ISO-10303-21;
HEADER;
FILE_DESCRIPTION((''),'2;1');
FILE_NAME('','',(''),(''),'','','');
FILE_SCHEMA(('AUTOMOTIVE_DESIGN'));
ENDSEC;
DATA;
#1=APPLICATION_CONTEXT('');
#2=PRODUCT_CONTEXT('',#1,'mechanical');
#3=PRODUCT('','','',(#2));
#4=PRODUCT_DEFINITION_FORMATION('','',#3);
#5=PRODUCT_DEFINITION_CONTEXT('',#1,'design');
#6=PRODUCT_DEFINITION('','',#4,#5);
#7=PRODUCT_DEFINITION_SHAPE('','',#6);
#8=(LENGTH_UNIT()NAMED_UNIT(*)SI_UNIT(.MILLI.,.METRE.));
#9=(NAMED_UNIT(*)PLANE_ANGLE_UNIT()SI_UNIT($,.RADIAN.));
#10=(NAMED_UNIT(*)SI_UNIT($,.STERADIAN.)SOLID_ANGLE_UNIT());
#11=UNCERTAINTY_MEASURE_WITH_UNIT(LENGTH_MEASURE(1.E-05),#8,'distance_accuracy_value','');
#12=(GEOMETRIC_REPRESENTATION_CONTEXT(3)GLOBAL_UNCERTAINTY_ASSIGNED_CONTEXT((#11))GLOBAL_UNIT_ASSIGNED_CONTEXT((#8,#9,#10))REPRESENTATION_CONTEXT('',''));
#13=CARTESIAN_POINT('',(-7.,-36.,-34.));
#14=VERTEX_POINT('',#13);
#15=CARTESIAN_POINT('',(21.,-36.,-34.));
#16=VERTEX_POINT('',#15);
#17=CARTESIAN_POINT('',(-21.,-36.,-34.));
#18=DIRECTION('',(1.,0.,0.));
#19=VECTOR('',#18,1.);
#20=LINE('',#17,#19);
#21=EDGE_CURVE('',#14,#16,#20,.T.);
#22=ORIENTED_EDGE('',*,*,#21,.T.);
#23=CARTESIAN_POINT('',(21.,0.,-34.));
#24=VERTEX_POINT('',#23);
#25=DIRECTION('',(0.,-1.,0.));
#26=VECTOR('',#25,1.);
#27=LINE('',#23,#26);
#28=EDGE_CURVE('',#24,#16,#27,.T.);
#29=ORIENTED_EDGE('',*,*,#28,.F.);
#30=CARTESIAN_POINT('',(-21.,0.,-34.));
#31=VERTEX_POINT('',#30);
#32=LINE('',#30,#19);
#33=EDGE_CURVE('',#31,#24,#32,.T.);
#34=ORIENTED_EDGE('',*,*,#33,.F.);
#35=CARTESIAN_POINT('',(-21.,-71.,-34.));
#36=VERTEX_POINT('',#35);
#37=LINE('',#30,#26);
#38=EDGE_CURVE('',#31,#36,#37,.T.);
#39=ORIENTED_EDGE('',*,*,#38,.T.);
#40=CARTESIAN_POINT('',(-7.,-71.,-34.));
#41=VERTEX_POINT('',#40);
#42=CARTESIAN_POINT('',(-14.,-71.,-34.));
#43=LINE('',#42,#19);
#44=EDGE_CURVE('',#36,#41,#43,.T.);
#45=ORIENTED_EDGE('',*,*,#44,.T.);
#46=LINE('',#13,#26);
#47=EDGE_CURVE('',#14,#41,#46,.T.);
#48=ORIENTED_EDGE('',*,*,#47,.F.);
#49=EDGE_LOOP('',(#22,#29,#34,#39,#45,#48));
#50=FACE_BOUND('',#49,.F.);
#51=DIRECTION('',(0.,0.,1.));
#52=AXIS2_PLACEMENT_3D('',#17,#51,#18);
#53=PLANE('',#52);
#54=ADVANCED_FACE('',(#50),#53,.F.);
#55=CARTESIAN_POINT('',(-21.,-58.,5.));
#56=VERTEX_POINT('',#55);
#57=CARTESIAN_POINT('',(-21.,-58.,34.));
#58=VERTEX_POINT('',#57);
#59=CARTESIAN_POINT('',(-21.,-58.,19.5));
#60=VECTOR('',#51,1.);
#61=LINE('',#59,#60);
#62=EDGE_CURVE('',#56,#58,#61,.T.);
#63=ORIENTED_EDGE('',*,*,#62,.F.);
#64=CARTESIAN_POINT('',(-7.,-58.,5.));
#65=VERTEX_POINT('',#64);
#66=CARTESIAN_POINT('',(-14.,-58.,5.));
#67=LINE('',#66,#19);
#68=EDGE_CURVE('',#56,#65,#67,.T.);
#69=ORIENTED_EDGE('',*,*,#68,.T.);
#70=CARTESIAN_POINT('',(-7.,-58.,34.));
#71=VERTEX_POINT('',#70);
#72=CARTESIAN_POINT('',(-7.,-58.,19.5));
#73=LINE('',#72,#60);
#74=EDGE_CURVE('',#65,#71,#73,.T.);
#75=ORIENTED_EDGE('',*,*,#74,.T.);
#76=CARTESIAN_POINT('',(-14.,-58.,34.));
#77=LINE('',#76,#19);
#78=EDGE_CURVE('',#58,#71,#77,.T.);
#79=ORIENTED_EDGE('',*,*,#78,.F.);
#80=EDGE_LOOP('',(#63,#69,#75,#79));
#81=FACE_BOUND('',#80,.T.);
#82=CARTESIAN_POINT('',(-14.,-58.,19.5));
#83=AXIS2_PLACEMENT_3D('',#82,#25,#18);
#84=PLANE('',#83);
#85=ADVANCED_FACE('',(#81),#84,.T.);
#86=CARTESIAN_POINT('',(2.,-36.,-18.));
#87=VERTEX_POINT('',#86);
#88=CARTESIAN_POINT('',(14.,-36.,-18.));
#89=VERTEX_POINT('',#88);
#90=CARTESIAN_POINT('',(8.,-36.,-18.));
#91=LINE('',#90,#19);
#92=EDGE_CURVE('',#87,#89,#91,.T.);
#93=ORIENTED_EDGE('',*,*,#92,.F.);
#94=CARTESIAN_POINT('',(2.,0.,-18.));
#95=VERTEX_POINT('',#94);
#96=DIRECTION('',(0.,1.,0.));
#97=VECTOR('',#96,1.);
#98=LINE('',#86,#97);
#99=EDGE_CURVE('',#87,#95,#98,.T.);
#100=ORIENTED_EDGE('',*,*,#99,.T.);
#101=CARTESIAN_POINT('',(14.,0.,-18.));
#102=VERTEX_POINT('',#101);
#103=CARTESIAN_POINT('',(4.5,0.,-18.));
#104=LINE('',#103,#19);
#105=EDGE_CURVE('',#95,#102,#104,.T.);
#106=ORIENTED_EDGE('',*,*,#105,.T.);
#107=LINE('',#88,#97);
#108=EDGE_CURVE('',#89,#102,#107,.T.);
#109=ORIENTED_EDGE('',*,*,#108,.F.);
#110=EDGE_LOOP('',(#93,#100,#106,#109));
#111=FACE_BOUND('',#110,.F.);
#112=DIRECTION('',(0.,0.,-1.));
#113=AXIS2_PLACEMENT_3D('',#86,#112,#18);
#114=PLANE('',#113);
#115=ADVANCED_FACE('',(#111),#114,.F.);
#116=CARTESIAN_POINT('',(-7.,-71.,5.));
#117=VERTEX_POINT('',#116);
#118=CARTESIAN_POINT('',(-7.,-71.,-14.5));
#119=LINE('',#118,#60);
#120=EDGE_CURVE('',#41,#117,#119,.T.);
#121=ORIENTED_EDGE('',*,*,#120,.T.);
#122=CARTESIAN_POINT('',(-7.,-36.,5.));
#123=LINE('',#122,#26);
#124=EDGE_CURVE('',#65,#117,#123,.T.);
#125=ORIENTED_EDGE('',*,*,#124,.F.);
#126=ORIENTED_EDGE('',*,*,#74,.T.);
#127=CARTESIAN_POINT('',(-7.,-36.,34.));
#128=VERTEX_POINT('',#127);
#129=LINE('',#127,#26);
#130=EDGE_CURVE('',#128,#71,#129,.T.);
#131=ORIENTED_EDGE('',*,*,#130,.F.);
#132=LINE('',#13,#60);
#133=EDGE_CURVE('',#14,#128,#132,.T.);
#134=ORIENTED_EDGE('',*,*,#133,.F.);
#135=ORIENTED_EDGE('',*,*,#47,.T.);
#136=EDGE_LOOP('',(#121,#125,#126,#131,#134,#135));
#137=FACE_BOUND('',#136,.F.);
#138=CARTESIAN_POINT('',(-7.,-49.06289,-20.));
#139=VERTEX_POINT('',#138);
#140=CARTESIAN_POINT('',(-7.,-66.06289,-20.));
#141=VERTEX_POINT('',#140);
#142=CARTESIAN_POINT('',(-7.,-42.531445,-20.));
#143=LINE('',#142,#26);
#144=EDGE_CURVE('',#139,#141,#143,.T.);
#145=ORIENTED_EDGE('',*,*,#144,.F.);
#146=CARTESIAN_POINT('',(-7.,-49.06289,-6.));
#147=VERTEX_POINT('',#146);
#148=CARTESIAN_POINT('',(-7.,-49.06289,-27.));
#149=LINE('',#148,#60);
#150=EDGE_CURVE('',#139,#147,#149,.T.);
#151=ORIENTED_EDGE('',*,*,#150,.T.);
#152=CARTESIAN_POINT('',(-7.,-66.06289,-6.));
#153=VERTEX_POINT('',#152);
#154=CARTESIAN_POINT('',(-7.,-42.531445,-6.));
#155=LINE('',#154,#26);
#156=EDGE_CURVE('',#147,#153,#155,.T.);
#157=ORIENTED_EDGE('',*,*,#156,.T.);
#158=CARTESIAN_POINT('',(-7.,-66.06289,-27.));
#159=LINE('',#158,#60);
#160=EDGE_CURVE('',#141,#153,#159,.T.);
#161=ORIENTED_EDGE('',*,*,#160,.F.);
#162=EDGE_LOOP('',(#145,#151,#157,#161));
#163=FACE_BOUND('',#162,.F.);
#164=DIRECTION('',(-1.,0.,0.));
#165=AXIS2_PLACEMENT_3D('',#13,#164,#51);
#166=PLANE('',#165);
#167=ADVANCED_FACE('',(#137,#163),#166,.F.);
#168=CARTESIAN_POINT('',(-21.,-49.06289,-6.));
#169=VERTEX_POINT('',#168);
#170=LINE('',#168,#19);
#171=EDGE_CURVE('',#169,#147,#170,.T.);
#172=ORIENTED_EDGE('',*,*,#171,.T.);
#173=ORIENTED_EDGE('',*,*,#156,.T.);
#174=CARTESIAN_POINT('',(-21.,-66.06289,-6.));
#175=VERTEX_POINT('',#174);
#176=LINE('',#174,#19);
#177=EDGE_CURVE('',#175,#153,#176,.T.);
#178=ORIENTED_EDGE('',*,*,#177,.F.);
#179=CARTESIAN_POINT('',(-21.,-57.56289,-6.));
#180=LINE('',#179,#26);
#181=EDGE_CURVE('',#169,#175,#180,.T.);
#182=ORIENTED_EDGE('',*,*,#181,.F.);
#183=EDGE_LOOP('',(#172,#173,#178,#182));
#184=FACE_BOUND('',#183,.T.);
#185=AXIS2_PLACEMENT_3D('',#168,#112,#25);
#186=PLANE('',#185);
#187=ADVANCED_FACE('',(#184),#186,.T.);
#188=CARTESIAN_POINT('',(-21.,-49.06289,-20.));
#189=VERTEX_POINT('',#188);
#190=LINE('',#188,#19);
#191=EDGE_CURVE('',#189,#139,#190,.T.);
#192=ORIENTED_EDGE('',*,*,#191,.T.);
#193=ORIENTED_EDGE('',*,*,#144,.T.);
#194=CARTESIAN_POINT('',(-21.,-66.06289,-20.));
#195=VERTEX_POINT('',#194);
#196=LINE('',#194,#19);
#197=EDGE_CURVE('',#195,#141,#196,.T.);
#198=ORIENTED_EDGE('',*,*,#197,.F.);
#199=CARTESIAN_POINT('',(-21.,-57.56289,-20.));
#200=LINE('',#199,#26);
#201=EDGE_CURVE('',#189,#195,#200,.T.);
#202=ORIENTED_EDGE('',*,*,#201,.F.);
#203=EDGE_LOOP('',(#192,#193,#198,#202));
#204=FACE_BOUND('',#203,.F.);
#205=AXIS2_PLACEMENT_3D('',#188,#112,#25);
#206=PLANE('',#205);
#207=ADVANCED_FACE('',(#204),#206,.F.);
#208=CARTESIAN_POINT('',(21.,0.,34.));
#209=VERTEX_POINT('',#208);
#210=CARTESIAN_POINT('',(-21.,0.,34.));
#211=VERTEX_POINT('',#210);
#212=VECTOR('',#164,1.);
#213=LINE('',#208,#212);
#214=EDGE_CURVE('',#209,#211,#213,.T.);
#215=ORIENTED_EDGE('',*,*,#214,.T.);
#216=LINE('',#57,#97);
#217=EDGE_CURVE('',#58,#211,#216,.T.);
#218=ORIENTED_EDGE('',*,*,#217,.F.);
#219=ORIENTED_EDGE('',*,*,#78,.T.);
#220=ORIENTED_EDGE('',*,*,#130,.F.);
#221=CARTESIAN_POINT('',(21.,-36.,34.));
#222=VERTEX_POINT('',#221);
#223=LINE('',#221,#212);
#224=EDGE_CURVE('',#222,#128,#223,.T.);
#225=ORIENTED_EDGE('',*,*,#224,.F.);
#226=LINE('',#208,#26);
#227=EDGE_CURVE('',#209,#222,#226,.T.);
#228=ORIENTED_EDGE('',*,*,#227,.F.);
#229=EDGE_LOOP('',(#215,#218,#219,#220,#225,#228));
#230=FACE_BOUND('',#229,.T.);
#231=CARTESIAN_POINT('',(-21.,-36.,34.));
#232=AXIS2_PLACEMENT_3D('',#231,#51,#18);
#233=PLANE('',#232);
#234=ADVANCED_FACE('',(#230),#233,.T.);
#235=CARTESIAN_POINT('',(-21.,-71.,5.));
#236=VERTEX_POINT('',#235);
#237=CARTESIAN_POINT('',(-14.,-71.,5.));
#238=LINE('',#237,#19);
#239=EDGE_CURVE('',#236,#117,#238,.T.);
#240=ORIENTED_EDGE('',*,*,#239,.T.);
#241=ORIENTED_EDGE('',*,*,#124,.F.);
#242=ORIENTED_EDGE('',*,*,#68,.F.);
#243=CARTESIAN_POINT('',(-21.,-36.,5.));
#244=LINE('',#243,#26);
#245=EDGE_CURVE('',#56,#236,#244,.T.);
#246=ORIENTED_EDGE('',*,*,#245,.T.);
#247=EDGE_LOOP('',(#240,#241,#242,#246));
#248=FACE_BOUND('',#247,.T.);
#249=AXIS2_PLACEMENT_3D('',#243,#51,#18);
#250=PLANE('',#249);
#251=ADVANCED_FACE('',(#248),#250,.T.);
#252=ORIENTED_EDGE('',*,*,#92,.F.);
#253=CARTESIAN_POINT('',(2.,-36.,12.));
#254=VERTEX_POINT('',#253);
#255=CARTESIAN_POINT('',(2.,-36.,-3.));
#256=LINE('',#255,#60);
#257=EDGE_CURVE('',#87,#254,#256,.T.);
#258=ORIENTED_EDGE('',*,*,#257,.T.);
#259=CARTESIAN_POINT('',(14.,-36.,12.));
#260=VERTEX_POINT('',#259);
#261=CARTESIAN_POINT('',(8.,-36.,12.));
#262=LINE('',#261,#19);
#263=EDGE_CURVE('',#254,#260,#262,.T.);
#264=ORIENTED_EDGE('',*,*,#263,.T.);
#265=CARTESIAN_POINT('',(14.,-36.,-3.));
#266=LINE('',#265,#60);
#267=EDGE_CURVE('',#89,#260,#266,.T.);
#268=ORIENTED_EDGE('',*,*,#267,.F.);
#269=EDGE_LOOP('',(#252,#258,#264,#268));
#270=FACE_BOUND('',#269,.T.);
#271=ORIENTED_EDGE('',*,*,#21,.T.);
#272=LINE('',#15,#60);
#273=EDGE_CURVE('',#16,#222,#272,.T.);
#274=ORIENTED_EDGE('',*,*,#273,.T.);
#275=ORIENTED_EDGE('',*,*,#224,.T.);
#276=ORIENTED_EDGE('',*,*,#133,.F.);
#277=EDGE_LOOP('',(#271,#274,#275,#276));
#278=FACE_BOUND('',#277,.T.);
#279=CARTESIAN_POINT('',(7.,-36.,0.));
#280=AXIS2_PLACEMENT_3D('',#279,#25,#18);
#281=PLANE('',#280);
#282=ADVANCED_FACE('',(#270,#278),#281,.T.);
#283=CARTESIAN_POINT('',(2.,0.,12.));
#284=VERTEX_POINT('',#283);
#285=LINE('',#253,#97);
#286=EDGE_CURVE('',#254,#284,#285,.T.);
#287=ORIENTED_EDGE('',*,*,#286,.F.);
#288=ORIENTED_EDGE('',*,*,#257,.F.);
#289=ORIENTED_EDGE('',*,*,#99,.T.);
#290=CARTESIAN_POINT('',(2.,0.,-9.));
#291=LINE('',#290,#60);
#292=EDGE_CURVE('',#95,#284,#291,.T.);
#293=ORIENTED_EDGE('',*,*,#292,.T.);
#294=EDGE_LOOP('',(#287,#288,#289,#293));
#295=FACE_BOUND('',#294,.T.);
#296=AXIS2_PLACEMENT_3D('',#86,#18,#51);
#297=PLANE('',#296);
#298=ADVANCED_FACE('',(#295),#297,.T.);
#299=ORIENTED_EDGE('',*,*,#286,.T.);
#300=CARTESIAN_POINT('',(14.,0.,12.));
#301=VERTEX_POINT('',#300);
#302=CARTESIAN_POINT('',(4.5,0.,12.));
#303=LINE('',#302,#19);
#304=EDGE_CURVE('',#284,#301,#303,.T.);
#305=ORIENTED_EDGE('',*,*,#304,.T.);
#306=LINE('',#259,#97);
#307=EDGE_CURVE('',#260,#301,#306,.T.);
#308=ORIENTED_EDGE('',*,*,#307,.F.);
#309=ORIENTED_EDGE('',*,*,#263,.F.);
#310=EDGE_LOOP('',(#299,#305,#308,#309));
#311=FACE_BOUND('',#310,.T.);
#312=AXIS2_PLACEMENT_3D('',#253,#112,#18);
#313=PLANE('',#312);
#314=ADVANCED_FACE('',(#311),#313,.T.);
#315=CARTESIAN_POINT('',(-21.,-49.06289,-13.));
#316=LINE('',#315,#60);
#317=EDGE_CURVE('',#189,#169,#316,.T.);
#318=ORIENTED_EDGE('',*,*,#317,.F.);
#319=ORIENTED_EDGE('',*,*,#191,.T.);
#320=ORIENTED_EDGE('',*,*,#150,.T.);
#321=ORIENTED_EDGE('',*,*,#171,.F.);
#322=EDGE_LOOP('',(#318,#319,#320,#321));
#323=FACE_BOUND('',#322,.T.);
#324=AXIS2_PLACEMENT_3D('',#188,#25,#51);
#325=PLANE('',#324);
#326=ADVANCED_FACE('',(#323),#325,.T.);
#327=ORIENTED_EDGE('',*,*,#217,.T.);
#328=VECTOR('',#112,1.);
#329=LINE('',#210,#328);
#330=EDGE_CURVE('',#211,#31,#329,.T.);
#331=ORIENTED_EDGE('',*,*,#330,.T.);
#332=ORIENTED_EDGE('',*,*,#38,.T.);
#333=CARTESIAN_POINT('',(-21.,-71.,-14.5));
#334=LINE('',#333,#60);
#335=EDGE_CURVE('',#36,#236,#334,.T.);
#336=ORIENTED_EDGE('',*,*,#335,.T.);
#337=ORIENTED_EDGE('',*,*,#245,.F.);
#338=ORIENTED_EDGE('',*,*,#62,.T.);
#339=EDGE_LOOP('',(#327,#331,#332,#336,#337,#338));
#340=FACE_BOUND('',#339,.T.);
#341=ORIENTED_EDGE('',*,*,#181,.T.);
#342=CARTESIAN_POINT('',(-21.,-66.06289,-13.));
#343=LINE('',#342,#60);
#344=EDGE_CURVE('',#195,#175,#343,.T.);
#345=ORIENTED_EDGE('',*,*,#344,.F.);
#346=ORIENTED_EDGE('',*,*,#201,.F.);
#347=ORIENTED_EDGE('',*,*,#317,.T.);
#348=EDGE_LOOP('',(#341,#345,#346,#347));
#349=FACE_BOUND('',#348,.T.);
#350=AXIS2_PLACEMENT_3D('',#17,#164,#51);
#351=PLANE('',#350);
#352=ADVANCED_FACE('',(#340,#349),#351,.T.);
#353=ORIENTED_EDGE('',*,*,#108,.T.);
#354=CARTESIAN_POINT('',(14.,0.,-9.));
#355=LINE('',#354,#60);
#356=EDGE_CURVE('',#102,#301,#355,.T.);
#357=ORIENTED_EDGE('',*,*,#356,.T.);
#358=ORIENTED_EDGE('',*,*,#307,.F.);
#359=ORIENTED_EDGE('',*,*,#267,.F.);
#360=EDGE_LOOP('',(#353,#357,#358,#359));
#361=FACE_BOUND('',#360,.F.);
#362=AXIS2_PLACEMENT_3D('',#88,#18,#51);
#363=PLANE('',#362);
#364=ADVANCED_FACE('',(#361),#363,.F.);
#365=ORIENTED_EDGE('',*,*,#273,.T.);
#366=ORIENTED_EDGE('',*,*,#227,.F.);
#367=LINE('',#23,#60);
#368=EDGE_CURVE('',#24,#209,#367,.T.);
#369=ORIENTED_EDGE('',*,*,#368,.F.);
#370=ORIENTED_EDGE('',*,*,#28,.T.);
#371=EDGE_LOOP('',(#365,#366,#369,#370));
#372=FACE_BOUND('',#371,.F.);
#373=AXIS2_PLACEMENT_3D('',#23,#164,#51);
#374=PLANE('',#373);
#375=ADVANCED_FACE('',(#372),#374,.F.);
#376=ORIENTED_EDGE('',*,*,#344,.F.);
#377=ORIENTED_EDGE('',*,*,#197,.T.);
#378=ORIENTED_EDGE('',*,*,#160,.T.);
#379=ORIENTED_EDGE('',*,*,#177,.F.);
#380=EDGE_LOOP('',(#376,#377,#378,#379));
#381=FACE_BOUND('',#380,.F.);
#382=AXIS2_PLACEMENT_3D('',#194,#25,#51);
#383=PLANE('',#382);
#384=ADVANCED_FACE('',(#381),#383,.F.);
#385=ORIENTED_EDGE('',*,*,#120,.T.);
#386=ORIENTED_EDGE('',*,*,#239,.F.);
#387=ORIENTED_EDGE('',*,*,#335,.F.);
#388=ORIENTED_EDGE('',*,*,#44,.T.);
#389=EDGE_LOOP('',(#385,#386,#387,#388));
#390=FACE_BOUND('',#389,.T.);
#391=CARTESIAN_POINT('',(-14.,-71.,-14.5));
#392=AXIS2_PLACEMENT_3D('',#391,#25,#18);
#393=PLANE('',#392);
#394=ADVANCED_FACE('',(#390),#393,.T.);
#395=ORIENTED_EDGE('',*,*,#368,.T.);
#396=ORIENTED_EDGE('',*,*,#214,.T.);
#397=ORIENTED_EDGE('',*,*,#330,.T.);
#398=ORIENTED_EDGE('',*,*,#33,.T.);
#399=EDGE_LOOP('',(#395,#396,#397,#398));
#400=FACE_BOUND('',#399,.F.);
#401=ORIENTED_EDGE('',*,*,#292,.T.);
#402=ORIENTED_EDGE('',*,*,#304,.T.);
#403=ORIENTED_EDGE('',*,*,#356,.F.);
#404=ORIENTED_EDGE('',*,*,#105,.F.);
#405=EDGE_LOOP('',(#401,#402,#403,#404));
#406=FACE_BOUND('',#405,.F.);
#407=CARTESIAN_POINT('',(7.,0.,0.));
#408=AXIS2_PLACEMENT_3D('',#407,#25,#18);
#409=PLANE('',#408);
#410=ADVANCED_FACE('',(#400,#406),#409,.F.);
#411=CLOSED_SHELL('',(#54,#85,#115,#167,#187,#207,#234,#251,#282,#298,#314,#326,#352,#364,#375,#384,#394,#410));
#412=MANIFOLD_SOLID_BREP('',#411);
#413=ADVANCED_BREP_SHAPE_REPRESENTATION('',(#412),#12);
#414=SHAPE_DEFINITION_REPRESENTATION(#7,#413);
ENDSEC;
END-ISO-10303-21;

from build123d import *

# Parameters (mm, degrees)
F0_W     = 14
F0_H     = 39
F0_H_2   = 29
F1_DEPTH = 36
F2_W     = 14
F2_H     = 29
F3_DEPTH = 22
F4_W     = 14
F4_H     = 39
F5_DEPTH = 35
F6_W     = 17
F6_H     = 14
F7_DEPTH = 25
F8_W     = 12
F8_H     = 30
F9_DEPTH = 40


with BuildPart() as f1:
    # F0 (on Front) → F1 (new body)
    with BuildSketch(Plane.XZ):
        Polygon((-7, -34), (21, -34), (21, 34), (-7, 34), (-7, 5), align=None)
        with Locations((-14, -14.5)):
            Rectangle(F0_W, F0_H)
        with Locations((-14, 19.5)):
            Rectangle(F0_W, F0_H_2)
    extrude(amount=F1_DEPTH)

    # F2 (on face) → F3 (join)
    with BuildSketch(Plane.XZ.offset(36)):
        with Locations((-14, 19.5)):
            Rectangle(F2_W, F2_H)
    extrude(amount=F3_DEPTH)

    # F4 (on face) → F5 (join)
    with BuildSketch(Plane.XZ.offset(36)):
        with Locations((-14, -14.5)):
            Rectangle(F4_W, F4_H)
    extrude(amount=F5_DEPTH)

    # F6 (on face) → F7 (cut)
    with BuildSketch(Plane(origin=(-21, 0, 0), x_dir=(0, -1, 0), z_dir=(-1, 0, 0))):
        with Locations((57.56289, -13)):
            Rectangle(F6_W, F6_H)
    extrude(amount=-F7_DEPTH, mode=Mode.SUBTRACT)

    # F8 (on face) → F9 (cut)
    with BuildSketch(Plane.XZ.offset(36)):
        with Locations((8, -3)):
            Rectangle(F8_W, F8_H)
    extrude(amount=-F9_DEPTH, mode=Mode.SUBTRACT)


solid = f1.part
